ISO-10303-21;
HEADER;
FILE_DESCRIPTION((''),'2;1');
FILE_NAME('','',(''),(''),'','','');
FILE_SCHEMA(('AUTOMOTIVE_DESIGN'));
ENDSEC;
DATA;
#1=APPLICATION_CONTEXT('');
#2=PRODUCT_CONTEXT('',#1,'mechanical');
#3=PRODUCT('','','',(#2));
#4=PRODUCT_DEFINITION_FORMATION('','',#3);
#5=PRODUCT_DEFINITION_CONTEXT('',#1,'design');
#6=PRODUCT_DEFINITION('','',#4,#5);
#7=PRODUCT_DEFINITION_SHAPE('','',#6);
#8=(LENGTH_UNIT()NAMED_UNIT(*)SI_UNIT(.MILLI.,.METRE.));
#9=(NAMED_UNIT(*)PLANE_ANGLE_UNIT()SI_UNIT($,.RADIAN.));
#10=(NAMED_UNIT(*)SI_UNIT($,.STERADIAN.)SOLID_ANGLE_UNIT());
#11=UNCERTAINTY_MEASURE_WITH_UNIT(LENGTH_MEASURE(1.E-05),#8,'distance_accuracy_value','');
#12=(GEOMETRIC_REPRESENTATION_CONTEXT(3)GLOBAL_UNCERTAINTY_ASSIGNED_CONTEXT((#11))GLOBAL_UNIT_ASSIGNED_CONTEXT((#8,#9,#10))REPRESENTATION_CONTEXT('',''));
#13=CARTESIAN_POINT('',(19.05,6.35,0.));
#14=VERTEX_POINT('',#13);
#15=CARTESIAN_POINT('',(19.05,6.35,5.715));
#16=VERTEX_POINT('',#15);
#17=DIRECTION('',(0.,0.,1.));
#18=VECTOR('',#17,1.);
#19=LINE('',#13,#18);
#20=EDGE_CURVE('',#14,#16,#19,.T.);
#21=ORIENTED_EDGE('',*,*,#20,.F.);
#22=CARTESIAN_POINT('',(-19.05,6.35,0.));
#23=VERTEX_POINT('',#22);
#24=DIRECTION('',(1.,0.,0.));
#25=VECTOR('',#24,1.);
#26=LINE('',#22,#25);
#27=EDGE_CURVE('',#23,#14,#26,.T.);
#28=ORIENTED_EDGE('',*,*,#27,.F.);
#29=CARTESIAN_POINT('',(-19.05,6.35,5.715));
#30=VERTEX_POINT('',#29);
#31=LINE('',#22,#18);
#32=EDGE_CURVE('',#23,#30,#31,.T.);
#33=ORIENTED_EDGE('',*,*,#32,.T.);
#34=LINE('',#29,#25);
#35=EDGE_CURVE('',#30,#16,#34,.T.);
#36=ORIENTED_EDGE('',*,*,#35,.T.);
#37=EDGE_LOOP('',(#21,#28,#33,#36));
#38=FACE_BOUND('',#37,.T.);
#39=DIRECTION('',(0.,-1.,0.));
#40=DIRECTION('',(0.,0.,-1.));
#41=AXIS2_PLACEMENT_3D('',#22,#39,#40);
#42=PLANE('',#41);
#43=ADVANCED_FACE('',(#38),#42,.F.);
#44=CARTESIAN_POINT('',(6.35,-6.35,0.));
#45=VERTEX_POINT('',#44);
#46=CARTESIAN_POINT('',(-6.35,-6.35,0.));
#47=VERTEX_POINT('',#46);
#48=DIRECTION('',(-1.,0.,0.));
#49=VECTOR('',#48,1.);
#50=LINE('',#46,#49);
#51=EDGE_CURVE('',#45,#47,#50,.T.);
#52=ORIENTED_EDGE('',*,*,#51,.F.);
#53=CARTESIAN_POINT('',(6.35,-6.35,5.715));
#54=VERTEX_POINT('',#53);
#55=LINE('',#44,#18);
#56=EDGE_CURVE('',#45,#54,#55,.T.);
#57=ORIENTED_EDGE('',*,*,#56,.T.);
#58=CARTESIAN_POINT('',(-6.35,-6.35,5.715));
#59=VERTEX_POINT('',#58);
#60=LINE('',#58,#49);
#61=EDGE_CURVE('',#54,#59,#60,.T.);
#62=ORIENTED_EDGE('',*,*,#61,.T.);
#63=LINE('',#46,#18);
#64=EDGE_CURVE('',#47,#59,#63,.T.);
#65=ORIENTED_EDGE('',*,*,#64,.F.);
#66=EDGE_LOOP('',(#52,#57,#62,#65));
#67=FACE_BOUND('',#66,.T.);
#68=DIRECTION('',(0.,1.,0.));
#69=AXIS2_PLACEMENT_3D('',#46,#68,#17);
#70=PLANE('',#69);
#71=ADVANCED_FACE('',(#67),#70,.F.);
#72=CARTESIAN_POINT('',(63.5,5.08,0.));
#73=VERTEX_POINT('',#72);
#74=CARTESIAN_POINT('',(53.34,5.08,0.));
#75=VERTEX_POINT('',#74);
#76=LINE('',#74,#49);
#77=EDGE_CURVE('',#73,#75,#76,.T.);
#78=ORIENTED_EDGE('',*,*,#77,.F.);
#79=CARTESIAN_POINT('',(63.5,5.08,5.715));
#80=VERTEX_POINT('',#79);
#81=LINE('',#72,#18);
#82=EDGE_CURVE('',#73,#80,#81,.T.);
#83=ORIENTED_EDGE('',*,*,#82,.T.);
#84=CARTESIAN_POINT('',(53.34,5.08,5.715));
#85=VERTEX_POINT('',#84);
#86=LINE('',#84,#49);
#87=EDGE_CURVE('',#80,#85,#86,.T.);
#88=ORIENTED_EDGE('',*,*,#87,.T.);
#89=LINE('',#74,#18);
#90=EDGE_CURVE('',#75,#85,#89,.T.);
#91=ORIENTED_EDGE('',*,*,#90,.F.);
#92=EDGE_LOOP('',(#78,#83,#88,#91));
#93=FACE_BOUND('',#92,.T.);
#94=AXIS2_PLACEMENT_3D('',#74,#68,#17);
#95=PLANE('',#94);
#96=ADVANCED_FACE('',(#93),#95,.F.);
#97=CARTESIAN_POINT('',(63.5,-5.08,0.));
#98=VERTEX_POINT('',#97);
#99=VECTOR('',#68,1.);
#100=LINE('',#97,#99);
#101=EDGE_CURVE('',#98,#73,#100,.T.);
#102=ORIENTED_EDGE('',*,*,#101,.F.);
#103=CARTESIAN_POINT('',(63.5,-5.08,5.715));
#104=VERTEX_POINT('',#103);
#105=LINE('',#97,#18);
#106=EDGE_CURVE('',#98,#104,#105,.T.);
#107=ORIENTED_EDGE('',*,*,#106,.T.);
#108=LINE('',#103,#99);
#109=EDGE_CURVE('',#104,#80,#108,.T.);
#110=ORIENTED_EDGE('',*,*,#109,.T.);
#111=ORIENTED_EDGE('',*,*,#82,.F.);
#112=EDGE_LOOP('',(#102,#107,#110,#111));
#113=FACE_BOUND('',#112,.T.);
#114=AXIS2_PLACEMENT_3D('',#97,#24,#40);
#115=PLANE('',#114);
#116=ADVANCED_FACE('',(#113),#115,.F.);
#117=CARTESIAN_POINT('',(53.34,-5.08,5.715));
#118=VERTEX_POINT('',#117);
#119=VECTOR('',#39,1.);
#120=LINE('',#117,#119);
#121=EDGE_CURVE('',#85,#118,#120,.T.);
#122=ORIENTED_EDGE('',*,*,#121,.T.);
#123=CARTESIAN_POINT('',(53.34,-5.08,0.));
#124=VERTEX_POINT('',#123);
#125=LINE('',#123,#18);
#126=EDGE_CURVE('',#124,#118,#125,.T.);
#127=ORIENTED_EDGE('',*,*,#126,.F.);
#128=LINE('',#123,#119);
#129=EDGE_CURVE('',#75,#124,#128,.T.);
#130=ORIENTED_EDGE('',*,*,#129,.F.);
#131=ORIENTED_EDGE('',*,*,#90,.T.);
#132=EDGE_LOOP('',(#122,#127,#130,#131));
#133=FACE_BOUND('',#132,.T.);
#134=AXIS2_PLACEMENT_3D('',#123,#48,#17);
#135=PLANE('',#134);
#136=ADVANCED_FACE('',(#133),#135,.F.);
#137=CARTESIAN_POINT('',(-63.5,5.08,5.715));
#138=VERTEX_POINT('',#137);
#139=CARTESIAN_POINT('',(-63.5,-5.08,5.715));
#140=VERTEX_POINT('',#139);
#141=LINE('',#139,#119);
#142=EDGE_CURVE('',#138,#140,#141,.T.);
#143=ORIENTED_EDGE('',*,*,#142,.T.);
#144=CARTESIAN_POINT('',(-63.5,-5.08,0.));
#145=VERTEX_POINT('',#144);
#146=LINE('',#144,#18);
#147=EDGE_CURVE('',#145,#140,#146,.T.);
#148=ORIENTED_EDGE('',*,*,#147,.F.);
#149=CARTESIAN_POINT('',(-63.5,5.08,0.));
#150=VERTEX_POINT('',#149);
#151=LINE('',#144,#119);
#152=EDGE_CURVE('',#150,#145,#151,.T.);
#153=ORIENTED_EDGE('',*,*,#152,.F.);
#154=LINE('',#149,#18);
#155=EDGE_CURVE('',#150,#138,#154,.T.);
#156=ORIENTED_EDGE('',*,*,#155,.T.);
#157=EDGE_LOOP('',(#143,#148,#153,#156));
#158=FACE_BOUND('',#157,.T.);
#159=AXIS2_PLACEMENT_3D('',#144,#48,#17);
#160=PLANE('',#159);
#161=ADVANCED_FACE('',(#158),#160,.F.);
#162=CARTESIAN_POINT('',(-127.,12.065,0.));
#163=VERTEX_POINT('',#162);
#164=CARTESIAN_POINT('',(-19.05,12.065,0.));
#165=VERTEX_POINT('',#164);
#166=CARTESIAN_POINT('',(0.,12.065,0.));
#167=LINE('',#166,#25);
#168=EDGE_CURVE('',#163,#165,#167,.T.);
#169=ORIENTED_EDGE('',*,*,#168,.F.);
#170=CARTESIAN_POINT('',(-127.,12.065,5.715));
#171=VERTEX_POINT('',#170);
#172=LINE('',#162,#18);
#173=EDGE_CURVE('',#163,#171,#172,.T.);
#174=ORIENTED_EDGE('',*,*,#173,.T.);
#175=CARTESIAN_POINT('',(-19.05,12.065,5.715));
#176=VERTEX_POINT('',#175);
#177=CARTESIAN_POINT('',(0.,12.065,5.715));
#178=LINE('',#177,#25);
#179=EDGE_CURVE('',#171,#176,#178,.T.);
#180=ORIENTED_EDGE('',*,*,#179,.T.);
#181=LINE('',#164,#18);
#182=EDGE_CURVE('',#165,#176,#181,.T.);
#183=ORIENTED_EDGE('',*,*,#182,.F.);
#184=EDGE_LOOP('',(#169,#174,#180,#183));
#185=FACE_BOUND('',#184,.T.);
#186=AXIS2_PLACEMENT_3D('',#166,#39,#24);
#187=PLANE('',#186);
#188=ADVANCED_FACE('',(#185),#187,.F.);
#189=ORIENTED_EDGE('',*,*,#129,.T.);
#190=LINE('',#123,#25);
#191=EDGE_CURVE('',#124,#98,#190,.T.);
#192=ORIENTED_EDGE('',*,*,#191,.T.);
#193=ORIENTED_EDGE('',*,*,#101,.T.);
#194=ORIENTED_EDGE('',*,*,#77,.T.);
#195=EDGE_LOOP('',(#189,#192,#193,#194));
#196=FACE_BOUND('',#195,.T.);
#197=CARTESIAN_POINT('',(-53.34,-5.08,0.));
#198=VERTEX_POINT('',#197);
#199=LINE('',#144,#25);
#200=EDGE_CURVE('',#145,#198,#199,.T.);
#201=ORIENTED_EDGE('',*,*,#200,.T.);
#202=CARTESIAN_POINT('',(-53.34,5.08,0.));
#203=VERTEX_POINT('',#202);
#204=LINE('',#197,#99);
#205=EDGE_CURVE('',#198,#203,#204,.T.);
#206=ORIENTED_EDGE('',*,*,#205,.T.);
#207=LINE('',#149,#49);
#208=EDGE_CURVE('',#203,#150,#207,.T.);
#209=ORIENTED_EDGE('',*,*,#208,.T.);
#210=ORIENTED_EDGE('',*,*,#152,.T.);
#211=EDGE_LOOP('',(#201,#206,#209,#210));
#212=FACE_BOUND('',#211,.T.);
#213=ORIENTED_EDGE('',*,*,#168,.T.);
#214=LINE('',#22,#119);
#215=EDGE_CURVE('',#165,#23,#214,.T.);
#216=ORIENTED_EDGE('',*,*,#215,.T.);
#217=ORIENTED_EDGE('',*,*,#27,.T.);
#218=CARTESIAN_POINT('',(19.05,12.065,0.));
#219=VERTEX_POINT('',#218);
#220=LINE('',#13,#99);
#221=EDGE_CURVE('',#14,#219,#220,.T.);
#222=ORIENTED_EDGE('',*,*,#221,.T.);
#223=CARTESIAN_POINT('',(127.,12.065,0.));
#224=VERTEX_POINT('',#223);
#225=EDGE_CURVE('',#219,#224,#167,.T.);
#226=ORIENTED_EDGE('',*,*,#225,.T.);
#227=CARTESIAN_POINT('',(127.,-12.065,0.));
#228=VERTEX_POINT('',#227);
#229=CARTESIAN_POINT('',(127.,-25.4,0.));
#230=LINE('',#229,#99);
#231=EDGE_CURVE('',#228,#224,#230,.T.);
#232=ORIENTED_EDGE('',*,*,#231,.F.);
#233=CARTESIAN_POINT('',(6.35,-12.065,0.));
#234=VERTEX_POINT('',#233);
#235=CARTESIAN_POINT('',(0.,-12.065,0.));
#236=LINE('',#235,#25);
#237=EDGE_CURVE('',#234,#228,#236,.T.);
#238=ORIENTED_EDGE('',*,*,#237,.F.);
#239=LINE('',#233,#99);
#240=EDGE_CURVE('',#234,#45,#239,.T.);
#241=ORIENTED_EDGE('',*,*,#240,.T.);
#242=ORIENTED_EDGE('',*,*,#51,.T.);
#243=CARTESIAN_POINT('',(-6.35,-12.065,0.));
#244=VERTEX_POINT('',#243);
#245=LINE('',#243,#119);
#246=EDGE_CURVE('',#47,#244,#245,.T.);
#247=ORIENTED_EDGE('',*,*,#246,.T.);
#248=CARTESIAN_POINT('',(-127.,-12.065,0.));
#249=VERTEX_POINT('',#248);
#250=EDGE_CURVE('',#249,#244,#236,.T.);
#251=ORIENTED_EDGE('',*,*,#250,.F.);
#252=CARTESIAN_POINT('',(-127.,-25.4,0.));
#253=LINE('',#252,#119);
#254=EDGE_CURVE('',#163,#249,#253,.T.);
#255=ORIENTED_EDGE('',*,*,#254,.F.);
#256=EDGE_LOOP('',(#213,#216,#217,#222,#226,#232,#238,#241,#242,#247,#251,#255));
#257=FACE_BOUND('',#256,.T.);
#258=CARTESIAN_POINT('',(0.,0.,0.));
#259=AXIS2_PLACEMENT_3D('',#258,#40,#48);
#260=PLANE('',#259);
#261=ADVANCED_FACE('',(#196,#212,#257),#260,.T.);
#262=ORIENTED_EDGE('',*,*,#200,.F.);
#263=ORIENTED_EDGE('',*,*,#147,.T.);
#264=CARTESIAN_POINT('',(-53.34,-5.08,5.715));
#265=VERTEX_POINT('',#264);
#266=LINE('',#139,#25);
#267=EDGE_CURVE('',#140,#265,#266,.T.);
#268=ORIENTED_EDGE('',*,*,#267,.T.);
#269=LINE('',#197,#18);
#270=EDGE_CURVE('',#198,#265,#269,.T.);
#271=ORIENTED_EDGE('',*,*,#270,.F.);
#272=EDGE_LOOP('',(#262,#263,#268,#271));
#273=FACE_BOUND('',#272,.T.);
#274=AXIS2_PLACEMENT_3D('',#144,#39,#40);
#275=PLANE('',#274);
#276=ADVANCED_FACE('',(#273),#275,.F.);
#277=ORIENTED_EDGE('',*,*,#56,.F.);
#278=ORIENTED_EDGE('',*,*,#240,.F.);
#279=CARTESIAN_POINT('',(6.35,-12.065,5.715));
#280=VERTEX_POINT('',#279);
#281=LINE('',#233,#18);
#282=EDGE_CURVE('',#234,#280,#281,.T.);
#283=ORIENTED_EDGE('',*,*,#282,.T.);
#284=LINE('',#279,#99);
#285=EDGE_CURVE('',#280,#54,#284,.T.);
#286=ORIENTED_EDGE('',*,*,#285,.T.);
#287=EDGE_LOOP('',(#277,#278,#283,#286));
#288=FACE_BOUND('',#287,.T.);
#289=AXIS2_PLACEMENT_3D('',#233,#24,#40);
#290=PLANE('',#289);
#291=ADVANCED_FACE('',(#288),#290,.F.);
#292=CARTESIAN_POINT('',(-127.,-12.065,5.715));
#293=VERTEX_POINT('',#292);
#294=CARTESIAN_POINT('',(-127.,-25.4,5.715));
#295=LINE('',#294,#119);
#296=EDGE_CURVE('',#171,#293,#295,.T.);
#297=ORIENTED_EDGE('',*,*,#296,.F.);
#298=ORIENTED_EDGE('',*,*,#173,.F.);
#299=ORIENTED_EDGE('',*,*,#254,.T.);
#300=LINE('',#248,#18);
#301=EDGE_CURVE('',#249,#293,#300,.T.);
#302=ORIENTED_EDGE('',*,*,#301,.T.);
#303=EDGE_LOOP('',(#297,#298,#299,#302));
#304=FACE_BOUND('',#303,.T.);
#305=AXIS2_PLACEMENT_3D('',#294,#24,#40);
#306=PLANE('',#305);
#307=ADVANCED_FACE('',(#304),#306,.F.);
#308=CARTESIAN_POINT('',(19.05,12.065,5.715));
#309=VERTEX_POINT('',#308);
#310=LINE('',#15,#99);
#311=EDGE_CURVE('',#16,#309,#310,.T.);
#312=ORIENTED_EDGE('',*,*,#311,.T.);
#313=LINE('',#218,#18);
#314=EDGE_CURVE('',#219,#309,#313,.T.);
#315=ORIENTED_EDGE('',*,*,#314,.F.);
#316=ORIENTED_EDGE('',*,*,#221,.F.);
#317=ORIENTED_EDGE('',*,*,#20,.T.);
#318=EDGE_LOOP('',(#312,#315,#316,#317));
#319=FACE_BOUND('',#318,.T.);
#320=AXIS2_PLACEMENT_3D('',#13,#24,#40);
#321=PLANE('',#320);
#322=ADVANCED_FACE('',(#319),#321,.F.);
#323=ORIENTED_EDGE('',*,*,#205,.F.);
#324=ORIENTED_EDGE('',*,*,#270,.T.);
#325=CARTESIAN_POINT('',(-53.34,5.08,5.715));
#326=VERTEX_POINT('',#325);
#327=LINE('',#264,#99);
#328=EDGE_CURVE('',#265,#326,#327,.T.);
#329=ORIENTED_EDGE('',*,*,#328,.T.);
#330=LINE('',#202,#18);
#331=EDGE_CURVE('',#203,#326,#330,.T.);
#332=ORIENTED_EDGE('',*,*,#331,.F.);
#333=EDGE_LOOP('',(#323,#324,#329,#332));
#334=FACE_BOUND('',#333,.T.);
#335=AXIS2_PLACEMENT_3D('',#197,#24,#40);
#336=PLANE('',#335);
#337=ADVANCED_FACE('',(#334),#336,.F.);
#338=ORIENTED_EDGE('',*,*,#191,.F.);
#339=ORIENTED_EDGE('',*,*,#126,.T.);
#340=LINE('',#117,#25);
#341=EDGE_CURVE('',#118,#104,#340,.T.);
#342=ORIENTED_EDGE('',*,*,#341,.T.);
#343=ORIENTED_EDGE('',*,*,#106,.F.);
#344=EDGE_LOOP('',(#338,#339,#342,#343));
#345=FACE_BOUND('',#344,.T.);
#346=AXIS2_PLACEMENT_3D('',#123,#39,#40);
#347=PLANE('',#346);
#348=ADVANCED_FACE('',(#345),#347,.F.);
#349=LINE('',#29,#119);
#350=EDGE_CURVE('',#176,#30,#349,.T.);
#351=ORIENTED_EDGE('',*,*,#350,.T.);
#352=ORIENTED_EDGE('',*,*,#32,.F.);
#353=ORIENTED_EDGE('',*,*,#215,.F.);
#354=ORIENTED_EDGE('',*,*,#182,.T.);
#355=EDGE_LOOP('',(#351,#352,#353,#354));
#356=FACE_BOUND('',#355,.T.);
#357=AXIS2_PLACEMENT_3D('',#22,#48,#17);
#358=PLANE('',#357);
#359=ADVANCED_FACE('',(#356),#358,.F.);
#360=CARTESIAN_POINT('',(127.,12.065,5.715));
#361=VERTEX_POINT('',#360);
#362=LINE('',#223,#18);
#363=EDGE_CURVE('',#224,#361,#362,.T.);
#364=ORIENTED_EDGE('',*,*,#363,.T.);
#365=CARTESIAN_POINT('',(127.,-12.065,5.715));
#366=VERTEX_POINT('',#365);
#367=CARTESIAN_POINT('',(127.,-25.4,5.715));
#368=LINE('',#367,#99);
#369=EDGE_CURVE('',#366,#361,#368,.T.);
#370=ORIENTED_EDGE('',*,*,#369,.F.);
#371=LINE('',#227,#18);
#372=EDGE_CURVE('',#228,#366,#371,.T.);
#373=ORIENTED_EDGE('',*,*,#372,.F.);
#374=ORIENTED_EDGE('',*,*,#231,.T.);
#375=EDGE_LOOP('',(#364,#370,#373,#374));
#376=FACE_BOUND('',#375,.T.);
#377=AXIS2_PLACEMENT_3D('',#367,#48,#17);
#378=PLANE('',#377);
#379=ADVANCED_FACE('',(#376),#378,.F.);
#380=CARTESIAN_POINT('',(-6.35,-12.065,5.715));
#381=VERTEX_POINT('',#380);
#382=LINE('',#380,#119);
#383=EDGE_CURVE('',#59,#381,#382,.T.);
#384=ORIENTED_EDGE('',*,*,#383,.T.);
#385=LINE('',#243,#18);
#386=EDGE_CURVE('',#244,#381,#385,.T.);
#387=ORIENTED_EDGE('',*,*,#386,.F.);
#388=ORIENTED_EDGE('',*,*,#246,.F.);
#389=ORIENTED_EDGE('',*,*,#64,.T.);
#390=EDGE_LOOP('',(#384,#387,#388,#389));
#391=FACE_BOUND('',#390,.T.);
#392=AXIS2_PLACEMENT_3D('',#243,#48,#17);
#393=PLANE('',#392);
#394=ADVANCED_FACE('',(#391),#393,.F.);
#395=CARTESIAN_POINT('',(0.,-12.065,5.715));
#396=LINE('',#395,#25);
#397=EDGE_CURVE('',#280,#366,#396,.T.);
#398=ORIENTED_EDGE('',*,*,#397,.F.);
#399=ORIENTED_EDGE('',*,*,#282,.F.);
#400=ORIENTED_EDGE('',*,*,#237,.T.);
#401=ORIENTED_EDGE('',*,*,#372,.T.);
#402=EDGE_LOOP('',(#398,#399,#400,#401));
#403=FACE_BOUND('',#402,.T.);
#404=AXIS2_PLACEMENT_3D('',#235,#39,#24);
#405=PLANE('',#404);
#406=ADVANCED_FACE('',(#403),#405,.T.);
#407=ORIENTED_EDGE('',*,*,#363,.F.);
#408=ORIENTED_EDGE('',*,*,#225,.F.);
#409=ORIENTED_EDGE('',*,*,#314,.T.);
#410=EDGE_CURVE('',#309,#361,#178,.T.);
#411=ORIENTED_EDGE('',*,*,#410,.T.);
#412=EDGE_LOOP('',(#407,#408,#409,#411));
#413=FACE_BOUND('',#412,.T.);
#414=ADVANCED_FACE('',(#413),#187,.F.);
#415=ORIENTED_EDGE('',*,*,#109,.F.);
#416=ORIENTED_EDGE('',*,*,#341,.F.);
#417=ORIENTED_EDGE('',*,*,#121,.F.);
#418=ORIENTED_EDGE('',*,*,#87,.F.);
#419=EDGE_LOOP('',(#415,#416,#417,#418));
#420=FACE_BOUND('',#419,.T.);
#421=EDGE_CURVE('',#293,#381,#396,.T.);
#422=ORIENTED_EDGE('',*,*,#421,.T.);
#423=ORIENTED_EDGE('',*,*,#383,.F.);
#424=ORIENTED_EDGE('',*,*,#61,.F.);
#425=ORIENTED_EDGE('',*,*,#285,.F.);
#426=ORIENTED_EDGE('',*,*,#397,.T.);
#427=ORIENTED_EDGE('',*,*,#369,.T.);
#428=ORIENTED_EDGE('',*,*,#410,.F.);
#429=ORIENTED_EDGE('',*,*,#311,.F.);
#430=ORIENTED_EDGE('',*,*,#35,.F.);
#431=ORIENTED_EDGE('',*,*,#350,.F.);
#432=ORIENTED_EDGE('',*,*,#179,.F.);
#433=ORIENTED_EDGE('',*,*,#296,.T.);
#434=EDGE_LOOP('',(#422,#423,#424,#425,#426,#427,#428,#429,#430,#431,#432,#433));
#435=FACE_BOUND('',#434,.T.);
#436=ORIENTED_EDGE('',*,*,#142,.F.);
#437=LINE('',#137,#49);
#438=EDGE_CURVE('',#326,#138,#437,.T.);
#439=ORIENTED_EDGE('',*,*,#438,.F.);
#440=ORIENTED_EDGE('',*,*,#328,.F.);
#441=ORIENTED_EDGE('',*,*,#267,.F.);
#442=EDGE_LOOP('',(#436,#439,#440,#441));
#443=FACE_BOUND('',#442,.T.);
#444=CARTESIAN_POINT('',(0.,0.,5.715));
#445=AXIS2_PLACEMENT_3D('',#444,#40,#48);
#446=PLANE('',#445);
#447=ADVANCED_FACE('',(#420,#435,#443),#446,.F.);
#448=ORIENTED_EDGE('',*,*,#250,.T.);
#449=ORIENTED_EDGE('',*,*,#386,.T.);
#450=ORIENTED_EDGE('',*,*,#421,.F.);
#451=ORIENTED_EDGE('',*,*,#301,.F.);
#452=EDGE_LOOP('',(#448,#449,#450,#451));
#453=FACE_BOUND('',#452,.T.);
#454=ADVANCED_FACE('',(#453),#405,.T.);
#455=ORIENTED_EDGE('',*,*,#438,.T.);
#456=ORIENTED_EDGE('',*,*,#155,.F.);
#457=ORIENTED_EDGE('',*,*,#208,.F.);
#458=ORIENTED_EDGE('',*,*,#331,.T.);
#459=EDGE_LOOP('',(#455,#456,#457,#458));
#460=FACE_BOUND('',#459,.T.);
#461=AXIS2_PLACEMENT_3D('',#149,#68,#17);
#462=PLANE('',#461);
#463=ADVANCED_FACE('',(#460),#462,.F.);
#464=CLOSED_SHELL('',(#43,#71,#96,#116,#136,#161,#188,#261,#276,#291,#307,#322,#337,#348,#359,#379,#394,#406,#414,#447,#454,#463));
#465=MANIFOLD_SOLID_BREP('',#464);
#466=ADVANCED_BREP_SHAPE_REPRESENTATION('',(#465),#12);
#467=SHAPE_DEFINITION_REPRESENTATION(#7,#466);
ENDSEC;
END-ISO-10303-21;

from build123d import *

# Parameters (mm, degrees)
SKETCH1_W           = 254
SKETCH1_H           = 50.8
BOSS_EXTRUDE1_DEPTH = 5.715
SKETCH2_W           = 10.16
SKETCH2_H           = 10.16
SKETCH2_W_2         = 12.7
SKETCH2_H_2         = 5.715
SKETCH2_W_3         = 38.1
CUT_EXTRUDE1_DEPTH  = 6.715
CUT_EXTRUDE2_DEPTH  = 6.715


with BuildPart() as part:
    # Sketch1 → Boss-Extrude1 (new body)
    with BuildSketch(Plane.XY):
        Rectangle(SKETCH1_W, SKETCH1_H)
    extrude(amount=BOSS_EXTRUDE1_DEPTH)

    # Sketch2 → Cut-Extrude1 (cut, through all)
    with BuildSketch(Plane.XY.offset(5.715)):
        with Locations((-58.42, 0)):
            Rectangle(SKETCH2_W, SKETCH2_H)
        with Locations((58.42, 0)):
            Rectangle(SKETCH2_W, SKETCH2_H)
        with Locations((0, -9.2075)):
            Rectangle(SKETCH2_W_2, SKETCH2_H_2)
        with Locations((0, 9.2075)):
            Rectangle(SKETCH2_W_3, SKETCH2_H_2)
    extrude(amount=-CUT_EXTRUDE1_DEPTH, mode=Mode.SUBTRACT)

    # Sketch3 → Cut-Extrude2 (cut, through all)
    with BuildSketch(Plane.XY.offset(5.715)):
        Polygon((-127, 25.4), (-127, 12.065), (-19.05, 12.065), (19.05, 12.065), (127, 12.065), (127, 25.4), align=None)
        Polygon((-6.35, -12.065), (-127, -12.065), (-127, -25.4), (127, -25.4), (127, -12.065), (6.35, -12.065), align=None)
    extrude(amount=-CUT_EXTRUDE2_DEPTH, mode=Mode.SUBTRACT)


solid = part.part
